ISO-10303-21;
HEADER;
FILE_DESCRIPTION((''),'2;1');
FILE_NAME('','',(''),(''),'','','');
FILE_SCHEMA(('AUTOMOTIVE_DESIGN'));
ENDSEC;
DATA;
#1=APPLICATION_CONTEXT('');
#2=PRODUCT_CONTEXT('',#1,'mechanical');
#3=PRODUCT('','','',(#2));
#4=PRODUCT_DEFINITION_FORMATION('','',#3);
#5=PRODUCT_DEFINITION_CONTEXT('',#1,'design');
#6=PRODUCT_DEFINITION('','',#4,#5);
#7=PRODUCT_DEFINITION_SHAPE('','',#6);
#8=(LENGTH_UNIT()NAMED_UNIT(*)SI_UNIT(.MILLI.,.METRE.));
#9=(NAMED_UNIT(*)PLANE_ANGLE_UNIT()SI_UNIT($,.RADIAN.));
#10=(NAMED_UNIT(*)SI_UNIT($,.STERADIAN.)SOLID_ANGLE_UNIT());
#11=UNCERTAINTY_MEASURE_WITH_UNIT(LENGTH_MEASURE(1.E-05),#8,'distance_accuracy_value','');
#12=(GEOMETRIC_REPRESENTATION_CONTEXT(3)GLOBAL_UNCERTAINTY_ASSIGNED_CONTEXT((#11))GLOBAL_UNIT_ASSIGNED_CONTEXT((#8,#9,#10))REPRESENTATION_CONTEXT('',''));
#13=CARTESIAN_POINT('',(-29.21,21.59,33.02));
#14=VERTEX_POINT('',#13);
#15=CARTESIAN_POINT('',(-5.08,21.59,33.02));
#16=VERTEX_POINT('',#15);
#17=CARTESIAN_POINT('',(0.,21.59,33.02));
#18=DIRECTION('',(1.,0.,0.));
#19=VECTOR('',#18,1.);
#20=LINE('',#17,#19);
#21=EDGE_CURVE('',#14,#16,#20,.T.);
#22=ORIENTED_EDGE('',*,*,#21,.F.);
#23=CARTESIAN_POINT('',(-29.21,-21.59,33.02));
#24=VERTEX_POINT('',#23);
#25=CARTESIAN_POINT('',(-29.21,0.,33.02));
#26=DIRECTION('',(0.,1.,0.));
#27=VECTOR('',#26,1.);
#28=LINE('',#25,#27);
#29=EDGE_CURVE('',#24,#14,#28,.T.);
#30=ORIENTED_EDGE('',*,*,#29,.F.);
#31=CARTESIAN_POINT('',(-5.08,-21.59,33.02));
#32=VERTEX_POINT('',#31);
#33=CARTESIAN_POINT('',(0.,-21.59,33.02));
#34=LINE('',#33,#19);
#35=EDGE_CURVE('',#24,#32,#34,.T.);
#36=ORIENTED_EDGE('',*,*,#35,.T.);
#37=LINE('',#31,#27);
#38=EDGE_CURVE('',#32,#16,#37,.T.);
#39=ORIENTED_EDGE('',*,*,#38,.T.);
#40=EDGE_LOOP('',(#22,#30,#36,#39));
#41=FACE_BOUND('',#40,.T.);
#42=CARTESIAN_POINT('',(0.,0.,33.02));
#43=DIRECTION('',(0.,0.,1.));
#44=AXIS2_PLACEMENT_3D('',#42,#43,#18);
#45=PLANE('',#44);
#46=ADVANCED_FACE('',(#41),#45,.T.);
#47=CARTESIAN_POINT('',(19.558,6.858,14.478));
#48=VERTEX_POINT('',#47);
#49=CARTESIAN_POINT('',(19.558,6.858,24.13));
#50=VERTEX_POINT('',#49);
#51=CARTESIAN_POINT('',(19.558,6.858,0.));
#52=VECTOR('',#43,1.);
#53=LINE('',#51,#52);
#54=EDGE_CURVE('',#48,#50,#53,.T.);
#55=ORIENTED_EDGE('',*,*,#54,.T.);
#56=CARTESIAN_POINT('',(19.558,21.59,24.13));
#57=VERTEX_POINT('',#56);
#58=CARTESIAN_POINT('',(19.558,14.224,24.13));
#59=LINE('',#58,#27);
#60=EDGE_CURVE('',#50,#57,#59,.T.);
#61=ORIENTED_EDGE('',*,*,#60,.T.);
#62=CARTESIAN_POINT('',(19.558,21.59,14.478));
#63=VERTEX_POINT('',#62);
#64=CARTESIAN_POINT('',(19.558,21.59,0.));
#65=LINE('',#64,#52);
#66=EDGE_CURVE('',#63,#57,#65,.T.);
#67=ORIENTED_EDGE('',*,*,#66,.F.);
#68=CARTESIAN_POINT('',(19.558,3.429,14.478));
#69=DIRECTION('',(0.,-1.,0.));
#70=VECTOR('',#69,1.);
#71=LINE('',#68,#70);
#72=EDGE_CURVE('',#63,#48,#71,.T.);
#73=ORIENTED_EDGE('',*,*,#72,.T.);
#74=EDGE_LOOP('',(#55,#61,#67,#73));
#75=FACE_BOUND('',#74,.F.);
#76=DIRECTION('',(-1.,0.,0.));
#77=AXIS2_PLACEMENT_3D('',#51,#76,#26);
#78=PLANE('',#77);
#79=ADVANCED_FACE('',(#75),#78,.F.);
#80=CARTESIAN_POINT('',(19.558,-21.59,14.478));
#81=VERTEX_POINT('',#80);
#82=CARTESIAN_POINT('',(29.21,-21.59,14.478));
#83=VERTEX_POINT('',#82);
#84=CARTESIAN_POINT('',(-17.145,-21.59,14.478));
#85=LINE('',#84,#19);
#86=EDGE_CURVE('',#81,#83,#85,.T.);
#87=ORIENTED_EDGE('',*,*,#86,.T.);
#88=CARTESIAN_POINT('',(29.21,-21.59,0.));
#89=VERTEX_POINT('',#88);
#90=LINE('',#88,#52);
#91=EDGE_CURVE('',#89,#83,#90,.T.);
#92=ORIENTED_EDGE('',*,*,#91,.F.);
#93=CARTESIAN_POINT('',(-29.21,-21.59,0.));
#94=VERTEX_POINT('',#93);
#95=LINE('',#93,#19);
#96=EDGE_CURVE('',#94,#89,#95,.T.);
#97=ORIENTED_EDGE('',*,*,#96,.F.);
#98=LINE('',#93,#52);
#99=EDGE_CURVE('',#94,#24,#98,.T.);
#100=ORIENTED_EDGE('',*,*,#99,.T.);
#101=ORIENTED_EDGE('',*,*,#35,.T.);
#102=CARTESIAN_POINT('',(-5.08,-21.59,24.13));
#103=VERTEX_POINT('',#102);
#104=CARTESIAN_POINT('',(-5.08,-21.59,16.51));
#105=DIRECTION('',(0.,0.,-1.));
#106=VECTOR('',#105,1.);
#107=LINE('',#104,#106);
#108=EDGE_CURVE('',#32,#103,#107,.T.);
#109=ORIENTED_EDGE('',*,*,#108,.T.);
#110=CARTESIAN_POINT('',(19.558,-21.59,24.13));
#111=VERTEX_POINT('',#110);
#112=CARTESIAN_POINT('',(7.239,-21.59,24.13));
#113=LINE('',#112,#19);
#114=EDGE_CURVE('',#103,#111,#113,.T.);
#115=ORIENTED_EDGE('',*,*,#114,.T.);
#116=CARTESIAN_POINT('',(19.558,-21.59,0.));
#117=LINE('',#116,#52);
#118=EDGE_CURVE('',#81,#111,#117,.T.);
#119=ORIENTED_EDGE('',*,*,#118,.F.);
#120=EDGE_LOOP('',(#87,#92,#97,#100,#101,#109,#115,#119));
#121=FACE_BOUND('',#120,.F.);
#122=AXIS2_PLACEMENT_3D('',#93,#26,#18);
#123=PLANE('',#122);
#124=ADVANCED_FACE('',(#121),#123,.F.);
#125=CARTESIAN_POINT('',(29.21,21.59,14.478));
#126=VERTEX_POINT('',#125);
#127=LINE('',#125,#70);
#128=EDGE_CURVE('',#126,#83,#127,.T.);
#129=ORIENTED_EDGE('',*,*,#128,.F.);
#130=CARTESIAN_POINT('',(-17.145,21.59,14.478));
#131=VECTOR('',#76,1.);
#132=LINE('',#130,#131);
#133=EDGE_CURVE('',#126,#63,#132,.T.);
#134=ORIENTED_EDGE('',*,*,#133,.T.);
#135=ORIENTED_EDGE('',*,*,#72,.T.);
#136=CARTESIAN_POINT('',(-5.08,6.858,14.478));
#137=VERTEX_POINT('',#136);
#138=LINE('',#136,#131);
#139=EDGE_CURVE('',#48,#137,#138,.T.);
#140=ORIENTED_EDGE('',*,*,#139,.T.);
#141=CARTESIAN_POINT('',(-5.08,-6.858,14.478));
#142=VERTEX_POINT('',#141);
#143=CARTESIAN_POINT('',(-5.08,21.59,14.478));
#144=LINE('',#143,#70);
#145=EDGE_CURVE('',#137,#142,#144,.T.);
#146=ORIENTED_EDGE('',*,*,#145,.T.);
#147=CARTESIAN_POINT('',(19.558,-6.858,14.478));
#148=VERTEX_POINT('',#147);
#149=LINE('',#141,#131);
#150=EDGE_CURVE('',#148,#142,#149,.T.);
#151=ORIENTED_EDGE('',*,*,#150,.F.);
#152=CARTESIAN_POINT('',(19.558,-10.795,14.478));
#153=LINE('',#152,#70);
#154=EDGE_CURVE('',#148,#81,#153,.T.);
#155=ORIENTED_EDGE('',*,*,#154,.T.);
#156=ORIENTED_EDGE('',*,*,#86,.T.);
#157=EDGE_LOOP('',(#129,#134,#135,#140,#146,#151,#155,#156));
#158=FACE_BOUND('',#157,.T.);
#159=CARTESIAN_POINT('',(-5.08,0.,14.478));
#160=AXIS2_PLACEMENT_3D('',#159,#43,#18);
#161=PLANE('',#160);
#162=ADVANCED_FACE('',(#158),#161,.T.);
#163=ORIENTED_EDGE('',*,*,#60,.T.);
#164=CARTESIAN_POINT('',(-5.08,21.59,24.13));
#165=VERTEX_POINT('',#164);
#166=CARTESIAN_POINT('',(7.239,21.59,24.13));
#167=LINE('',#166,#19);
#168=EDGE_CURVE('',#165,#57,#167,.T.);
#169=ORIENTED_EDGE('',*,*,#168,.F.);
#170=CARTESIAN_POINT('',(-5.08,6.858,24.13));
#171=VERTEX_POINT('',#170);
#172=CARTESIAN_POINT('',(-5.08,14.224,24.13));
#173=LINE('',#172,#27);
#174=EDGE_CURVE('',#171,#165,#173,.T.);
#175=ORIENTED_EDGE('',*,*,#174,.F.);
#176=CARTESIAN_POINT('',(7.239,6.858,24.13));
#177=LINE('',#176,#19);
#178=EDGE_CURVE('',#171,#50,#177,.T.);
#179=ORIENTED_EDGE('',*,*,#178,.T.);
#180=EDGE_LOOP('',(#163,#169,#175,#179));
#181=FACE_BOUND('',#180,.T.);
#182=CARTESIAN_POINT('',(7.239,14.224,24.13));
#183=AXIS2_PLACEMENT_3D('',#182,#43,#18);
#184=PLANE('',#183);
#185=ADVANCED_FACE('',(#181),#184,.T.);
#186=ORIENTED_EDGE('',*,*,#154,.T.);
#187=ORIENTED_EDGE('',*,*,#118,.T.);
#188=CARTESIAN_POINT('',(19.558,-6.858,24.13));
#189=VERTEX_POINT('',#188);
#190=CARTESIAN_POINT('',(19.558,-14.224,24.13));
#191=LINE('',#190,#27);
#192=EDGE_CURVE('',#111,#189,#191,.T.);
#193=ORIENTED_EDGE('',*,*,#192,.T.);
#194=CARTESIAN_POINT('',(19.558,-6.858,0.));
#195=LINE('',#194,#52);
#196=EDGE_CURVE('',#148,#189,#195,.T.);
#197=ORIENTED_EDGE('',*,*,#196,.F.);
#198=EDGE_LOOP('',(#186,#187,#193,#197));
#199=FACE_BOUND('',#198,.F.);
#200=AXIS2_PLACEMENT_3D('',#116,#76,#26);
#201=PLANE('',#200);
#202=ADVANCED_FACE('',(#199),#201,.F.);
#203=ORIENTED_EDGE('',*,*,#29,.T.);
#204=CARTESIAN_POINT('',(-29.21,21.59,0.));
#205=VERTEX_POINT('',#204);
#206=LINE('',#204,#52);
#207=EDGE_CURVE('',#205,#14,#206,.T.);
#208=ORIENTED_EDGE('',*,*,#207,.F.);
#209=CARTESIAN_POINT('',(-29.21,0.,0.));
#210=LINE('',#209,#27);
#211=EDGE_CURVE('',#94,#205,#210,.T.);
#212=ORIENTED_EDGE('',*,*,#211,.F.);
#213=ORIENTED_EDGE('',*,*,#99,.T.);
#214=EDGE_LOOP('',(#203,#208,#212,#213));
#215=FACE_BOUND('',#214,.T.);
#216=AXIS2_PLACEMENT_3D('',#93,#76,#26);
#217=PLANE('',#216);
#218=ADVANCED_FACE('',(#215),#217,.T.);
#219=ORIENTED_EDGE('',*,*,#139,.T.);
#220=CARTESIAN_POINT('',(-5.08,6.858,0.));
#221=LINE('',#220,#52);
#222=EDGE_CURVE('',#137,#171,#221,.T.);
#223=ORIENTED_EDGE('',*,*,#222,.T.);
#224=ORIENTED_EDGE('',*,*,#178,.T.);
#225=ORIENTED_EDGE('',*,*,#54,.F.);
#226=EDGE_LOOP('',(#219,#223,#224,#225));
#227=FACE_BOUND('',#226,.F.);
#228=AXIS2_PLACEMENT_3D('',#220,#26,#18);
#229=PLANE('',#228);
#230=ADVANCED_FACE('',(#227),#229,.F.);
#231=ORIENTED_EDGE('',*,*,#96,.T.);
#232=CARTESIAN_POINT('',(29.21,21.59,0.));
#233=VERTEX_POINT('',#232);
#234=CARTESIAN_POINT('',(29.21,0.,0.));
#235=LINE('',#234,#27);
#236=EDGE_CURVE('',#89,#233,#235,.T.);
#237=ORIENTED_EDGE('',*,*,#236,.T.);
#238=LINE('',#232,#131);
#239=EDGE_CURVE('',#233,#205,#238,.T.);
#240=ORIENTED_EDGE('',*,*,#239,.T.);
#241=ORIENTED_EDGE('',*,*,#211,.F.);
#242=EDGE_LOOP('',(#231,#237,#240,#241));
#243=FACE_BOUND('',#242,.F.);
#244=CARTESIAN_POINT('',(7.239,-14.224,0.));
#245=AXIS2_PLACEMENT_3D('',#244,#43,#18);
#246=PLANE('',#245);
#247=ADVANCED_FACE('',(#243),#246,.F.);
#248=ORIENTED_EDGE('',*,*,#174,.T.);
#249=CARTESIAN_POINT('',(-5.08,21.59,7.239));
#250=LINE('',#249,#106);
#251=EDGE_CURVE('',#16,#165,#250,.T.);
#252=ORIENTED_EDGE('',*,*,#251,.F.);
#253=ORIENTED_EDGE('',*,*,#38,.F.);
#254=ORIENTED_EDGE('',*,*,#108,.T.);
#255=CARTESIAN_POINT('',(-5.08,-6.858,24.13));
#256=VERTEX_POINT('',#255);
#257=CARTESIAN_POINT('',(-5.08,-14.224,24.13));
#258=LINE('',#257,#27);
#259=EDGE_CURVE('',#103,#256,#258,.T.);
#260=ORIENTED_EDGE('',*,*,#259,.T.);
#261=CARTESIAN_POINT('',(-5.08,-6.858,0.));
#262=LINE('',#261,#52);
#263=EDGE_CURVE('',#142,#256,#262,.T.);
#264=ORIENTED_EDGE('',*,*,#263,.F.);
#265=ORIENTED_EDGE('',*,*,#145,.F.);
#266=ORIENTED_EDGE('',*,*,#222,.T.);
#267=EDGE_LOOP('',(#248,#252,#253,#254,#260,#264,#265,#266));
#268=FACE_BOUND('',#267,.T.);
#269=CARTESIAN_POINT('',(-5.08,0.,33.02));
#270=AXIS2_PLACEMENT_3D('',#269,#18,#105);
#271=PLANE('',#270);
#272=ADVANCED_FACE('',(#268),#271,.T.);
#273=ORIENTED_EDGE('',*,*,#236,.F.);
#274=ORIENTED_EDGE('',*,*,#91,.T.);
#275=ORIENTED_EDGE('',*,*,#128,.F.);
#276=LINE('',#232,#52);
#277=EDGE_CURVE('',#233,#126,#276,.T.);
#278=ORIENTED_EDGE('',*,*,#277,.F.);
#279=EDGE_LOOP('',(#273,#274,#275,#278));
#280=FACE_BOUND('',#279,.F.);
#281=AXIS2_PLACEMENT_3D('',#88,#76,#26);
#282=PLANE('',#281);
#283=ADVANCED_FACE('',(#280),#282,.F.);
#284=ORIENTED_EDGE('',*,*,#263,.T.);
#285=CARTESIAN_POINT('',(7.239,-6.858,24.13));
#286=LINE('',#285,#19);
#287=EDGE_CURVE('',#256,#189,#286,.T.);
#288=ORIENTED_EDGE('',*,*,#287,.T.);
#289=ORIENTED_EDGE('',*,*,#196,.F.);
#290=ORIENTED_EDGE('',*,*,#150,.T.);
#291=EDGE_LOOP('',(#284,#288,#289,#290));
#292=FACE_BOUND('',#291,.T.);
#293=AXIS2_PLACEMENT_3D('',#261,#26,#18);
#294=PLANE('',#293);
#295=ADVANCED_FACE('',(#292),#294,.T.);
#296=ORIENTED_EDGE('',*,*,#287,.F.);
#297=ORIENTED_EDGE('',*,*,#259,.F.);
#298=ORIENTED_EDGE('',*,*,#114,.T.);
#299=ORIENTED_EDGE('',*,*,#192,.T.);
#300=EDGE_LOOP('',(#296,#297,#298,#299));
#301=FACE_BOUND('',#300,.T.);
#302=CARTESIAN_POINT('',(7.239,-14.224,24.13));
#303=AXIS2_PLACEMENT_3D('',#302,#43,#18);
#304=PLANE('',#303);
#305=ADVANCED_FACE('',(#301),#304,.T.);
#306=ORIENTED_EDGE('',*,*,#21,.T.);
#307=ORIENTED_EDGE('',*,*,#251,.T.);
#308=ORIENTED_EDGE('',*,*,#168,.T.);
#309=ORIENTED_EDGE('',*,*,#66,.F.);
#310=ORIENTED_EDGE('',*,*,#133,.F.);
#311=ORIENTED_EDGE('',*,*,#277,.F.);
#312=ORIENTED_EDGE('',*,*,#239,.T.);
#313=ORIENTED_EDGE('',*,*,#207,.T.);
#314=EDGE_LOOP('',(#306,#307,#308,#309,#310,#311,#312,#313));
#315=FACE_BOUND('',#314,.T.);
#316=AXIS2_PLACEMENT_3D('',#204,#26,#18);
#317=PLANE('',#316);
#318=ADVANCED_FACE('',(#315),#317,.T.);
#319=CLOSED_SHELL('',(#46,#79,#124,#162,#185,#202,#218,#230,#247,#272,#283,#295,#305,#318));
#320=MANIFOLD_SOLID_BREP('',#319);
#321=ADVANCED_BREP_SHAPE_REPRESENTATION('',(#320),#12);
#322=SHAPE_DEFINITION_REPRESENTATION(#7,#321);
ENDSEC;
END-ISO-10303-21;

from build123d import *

# Parameters (mm, degrees)
F0_W      = 58.42
F0_H      = 43.18
F1_DEPTH  = 33.02
F2_W      = 44.949538
F2_H      = 18.542
F3_DEPTH  = 21.591
F3_FACE_W = 34.29
F3_FACE_H = 18.542
F4_DEPTH  = 21.591
F5_W      = 24.638
F5_H      = 14.732
F6_DEPTH  = 24.13
F7_W      = 24.638
F7_H      = 14.732
F8_DEPTH  = 24.13


with BuildPart() as f1:
    # F0 (on Top) → F1 (new body)
    with BuildSketch(Plane.XY):
        Rectangle(F0_W, F0_H)
    extrude(amount=F1_DEPTH)

    # F2 (on Front) → F3 (cut, through all)
    with BuildSketch(Plane.XZ):
        with Locations((17.394769, 23.749)):
            Rectangle(F2_W, F2_H)
    extrude(amount=-F3_DEPTH, mode=Mode.SUBTRACT)

    # F3_face (on face) → F4 (cut, through all)
    with BuildSketch(Plane(origin=(12.065, 0, 23.749), x_dir=(1, 0, 0), z_dir=(0, 1, 0))):
        Rectangle(F3_FACE_W, F3_FACE_H)
    extrude(amount=-F4_DEPTH, mode=Mode.SUBTRACT)

    # F5 (on Top) → F6 (join)
    with BuildSketch(Plane.XY):
        with Locations((7.239, 14.224)):
            Rectangle(F5_W, F5_H)
    extrude(amount=F6_DEPTH)

    # F7 (on Top) → F8 (join)
    with BuildSketch(Plane.XY):
        with Locations((7.239, -14.224)):
            Rectangle(F7_W, F7_H)
    extrude(amount=F8_DEPTH)


solid = f1.part
